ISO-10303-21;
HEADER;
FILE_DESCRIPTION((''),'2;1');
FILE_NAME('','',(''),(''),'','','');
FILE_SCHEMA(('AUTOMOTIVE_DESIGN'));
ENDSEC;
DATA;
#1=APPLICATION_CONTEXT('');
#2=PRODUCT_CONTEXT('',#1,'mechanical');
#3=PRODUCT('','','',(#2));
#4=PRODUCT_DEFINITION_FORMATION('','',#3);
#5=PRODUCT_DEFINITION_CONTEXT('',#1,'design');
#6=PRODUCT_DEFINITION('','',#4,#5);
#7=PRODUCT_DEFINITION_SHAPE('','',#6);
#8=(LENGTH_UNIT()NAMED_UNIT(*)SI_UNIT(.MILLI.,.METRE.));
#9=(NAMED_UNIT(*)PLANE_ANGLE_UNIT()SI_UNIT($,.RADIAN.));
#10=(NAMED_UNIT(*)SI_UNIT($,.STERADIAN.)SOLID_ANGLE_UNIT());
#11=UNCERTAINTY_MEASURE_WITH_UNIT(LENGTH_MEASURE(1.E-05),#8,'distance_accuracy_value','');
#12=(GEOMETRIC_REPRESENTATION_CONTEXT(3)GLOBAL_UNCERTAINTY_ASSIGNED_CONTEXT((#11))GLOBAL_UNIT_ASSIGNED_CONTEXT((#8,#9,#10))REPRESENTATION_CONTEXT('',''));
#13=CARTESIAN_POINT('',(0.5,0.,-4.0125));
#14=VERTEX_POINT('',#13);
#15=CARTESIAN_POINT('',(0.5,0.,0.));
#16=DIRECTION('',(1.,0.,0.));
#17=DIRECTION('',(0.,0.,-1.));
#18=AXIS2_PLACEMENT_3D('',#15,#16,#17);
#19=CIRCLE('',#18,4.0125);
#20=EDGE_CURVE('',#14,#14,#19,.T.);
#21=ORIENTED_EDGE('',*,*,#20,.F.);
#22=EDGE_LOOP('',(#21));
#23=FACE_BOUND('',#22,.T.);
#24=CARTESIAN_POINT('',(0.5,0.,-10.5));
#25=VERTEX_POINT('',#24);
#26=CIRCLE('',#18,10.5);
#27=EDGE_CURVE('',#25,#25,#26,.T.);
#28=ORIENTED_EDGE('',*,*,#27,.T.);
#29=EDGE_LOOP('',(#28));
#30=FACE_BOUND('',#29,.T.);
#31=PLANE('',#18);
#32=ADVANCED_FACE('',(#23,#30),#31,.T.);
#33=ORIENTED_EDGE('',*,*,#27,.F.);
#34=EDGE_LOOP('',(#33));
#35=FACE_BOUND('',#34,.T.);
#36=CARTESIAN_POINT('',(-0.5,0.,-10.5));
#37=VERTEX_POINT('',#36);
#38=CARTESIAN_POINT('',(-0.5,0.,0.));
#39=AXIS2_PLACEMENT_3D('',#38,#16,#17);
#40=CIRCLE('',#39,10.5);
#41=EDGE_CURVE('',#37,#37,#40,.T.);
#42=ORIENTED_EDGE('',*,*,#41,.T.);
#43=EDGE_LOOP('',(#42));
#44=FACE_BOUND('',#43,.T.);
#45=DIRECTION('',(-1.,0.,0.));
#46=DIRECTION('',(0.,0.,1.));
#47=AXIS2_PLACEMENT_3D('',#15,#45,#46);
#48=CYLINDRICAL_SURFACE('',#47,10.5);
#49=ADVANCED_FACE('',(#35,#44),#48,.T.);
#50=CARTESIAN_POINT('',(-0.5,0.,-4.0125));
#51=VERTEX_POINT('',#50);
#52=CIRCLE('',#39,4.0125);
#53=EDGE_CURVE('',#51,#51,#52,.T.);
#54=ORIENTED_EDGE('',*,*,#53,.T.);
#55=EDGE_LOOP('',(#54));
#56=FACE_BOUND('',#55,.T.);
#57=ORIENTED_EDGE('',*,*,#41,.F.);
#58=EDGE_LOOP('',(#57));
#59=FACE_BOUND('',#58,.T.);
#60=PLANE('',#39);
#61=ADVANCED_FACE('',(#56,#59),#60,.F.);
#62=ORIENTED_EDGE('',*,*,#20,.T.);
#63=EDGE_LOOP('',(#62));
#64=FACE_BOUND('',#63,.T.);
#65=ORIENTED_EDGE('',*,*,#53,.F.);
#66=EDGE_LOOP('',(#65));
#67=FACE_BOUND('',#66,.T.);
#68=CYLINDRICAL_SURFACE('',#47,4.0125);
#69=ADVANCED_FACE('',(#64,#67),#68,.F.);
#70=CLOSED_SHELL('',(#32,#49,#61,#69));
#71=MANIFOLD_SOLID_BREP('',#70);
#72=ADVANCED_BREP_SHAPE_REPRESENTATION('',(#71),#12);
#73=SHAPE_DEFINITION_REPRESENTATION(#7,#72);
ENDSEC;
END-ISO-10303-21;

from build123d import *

# Parameters (mm, degrees)
SKETCH3_R                = 10.5
SKETCH3_R_2              = 4.0125
BOSS_EXTRUDE1_DEPTH      = 0.5
BOSS_EXTRUDE1_DEPTH_BACK = 0.5


with BuildPart() as part:
    # Sketch3 → Boss-Extrude1 (new body, two sides)
    with BuildSketch(Plane(origin=(0, 0, 0), x_dir=(0, 0, -1), z_dir=(1, 0, 0))) as boss_extrude1_sk:
        Circle(SKETCH3_R)
        Circle(SKETCH3_R_2, mode=Mode.SUBTRACT)
    extrude(amount=BOSS_EXTRUDE1_DEPTH)
    extrude(boss_extrude1_sk.sketch, amount=-BOSS_EXTRUDE1_DEPTH_BACK)


solid = part.part
